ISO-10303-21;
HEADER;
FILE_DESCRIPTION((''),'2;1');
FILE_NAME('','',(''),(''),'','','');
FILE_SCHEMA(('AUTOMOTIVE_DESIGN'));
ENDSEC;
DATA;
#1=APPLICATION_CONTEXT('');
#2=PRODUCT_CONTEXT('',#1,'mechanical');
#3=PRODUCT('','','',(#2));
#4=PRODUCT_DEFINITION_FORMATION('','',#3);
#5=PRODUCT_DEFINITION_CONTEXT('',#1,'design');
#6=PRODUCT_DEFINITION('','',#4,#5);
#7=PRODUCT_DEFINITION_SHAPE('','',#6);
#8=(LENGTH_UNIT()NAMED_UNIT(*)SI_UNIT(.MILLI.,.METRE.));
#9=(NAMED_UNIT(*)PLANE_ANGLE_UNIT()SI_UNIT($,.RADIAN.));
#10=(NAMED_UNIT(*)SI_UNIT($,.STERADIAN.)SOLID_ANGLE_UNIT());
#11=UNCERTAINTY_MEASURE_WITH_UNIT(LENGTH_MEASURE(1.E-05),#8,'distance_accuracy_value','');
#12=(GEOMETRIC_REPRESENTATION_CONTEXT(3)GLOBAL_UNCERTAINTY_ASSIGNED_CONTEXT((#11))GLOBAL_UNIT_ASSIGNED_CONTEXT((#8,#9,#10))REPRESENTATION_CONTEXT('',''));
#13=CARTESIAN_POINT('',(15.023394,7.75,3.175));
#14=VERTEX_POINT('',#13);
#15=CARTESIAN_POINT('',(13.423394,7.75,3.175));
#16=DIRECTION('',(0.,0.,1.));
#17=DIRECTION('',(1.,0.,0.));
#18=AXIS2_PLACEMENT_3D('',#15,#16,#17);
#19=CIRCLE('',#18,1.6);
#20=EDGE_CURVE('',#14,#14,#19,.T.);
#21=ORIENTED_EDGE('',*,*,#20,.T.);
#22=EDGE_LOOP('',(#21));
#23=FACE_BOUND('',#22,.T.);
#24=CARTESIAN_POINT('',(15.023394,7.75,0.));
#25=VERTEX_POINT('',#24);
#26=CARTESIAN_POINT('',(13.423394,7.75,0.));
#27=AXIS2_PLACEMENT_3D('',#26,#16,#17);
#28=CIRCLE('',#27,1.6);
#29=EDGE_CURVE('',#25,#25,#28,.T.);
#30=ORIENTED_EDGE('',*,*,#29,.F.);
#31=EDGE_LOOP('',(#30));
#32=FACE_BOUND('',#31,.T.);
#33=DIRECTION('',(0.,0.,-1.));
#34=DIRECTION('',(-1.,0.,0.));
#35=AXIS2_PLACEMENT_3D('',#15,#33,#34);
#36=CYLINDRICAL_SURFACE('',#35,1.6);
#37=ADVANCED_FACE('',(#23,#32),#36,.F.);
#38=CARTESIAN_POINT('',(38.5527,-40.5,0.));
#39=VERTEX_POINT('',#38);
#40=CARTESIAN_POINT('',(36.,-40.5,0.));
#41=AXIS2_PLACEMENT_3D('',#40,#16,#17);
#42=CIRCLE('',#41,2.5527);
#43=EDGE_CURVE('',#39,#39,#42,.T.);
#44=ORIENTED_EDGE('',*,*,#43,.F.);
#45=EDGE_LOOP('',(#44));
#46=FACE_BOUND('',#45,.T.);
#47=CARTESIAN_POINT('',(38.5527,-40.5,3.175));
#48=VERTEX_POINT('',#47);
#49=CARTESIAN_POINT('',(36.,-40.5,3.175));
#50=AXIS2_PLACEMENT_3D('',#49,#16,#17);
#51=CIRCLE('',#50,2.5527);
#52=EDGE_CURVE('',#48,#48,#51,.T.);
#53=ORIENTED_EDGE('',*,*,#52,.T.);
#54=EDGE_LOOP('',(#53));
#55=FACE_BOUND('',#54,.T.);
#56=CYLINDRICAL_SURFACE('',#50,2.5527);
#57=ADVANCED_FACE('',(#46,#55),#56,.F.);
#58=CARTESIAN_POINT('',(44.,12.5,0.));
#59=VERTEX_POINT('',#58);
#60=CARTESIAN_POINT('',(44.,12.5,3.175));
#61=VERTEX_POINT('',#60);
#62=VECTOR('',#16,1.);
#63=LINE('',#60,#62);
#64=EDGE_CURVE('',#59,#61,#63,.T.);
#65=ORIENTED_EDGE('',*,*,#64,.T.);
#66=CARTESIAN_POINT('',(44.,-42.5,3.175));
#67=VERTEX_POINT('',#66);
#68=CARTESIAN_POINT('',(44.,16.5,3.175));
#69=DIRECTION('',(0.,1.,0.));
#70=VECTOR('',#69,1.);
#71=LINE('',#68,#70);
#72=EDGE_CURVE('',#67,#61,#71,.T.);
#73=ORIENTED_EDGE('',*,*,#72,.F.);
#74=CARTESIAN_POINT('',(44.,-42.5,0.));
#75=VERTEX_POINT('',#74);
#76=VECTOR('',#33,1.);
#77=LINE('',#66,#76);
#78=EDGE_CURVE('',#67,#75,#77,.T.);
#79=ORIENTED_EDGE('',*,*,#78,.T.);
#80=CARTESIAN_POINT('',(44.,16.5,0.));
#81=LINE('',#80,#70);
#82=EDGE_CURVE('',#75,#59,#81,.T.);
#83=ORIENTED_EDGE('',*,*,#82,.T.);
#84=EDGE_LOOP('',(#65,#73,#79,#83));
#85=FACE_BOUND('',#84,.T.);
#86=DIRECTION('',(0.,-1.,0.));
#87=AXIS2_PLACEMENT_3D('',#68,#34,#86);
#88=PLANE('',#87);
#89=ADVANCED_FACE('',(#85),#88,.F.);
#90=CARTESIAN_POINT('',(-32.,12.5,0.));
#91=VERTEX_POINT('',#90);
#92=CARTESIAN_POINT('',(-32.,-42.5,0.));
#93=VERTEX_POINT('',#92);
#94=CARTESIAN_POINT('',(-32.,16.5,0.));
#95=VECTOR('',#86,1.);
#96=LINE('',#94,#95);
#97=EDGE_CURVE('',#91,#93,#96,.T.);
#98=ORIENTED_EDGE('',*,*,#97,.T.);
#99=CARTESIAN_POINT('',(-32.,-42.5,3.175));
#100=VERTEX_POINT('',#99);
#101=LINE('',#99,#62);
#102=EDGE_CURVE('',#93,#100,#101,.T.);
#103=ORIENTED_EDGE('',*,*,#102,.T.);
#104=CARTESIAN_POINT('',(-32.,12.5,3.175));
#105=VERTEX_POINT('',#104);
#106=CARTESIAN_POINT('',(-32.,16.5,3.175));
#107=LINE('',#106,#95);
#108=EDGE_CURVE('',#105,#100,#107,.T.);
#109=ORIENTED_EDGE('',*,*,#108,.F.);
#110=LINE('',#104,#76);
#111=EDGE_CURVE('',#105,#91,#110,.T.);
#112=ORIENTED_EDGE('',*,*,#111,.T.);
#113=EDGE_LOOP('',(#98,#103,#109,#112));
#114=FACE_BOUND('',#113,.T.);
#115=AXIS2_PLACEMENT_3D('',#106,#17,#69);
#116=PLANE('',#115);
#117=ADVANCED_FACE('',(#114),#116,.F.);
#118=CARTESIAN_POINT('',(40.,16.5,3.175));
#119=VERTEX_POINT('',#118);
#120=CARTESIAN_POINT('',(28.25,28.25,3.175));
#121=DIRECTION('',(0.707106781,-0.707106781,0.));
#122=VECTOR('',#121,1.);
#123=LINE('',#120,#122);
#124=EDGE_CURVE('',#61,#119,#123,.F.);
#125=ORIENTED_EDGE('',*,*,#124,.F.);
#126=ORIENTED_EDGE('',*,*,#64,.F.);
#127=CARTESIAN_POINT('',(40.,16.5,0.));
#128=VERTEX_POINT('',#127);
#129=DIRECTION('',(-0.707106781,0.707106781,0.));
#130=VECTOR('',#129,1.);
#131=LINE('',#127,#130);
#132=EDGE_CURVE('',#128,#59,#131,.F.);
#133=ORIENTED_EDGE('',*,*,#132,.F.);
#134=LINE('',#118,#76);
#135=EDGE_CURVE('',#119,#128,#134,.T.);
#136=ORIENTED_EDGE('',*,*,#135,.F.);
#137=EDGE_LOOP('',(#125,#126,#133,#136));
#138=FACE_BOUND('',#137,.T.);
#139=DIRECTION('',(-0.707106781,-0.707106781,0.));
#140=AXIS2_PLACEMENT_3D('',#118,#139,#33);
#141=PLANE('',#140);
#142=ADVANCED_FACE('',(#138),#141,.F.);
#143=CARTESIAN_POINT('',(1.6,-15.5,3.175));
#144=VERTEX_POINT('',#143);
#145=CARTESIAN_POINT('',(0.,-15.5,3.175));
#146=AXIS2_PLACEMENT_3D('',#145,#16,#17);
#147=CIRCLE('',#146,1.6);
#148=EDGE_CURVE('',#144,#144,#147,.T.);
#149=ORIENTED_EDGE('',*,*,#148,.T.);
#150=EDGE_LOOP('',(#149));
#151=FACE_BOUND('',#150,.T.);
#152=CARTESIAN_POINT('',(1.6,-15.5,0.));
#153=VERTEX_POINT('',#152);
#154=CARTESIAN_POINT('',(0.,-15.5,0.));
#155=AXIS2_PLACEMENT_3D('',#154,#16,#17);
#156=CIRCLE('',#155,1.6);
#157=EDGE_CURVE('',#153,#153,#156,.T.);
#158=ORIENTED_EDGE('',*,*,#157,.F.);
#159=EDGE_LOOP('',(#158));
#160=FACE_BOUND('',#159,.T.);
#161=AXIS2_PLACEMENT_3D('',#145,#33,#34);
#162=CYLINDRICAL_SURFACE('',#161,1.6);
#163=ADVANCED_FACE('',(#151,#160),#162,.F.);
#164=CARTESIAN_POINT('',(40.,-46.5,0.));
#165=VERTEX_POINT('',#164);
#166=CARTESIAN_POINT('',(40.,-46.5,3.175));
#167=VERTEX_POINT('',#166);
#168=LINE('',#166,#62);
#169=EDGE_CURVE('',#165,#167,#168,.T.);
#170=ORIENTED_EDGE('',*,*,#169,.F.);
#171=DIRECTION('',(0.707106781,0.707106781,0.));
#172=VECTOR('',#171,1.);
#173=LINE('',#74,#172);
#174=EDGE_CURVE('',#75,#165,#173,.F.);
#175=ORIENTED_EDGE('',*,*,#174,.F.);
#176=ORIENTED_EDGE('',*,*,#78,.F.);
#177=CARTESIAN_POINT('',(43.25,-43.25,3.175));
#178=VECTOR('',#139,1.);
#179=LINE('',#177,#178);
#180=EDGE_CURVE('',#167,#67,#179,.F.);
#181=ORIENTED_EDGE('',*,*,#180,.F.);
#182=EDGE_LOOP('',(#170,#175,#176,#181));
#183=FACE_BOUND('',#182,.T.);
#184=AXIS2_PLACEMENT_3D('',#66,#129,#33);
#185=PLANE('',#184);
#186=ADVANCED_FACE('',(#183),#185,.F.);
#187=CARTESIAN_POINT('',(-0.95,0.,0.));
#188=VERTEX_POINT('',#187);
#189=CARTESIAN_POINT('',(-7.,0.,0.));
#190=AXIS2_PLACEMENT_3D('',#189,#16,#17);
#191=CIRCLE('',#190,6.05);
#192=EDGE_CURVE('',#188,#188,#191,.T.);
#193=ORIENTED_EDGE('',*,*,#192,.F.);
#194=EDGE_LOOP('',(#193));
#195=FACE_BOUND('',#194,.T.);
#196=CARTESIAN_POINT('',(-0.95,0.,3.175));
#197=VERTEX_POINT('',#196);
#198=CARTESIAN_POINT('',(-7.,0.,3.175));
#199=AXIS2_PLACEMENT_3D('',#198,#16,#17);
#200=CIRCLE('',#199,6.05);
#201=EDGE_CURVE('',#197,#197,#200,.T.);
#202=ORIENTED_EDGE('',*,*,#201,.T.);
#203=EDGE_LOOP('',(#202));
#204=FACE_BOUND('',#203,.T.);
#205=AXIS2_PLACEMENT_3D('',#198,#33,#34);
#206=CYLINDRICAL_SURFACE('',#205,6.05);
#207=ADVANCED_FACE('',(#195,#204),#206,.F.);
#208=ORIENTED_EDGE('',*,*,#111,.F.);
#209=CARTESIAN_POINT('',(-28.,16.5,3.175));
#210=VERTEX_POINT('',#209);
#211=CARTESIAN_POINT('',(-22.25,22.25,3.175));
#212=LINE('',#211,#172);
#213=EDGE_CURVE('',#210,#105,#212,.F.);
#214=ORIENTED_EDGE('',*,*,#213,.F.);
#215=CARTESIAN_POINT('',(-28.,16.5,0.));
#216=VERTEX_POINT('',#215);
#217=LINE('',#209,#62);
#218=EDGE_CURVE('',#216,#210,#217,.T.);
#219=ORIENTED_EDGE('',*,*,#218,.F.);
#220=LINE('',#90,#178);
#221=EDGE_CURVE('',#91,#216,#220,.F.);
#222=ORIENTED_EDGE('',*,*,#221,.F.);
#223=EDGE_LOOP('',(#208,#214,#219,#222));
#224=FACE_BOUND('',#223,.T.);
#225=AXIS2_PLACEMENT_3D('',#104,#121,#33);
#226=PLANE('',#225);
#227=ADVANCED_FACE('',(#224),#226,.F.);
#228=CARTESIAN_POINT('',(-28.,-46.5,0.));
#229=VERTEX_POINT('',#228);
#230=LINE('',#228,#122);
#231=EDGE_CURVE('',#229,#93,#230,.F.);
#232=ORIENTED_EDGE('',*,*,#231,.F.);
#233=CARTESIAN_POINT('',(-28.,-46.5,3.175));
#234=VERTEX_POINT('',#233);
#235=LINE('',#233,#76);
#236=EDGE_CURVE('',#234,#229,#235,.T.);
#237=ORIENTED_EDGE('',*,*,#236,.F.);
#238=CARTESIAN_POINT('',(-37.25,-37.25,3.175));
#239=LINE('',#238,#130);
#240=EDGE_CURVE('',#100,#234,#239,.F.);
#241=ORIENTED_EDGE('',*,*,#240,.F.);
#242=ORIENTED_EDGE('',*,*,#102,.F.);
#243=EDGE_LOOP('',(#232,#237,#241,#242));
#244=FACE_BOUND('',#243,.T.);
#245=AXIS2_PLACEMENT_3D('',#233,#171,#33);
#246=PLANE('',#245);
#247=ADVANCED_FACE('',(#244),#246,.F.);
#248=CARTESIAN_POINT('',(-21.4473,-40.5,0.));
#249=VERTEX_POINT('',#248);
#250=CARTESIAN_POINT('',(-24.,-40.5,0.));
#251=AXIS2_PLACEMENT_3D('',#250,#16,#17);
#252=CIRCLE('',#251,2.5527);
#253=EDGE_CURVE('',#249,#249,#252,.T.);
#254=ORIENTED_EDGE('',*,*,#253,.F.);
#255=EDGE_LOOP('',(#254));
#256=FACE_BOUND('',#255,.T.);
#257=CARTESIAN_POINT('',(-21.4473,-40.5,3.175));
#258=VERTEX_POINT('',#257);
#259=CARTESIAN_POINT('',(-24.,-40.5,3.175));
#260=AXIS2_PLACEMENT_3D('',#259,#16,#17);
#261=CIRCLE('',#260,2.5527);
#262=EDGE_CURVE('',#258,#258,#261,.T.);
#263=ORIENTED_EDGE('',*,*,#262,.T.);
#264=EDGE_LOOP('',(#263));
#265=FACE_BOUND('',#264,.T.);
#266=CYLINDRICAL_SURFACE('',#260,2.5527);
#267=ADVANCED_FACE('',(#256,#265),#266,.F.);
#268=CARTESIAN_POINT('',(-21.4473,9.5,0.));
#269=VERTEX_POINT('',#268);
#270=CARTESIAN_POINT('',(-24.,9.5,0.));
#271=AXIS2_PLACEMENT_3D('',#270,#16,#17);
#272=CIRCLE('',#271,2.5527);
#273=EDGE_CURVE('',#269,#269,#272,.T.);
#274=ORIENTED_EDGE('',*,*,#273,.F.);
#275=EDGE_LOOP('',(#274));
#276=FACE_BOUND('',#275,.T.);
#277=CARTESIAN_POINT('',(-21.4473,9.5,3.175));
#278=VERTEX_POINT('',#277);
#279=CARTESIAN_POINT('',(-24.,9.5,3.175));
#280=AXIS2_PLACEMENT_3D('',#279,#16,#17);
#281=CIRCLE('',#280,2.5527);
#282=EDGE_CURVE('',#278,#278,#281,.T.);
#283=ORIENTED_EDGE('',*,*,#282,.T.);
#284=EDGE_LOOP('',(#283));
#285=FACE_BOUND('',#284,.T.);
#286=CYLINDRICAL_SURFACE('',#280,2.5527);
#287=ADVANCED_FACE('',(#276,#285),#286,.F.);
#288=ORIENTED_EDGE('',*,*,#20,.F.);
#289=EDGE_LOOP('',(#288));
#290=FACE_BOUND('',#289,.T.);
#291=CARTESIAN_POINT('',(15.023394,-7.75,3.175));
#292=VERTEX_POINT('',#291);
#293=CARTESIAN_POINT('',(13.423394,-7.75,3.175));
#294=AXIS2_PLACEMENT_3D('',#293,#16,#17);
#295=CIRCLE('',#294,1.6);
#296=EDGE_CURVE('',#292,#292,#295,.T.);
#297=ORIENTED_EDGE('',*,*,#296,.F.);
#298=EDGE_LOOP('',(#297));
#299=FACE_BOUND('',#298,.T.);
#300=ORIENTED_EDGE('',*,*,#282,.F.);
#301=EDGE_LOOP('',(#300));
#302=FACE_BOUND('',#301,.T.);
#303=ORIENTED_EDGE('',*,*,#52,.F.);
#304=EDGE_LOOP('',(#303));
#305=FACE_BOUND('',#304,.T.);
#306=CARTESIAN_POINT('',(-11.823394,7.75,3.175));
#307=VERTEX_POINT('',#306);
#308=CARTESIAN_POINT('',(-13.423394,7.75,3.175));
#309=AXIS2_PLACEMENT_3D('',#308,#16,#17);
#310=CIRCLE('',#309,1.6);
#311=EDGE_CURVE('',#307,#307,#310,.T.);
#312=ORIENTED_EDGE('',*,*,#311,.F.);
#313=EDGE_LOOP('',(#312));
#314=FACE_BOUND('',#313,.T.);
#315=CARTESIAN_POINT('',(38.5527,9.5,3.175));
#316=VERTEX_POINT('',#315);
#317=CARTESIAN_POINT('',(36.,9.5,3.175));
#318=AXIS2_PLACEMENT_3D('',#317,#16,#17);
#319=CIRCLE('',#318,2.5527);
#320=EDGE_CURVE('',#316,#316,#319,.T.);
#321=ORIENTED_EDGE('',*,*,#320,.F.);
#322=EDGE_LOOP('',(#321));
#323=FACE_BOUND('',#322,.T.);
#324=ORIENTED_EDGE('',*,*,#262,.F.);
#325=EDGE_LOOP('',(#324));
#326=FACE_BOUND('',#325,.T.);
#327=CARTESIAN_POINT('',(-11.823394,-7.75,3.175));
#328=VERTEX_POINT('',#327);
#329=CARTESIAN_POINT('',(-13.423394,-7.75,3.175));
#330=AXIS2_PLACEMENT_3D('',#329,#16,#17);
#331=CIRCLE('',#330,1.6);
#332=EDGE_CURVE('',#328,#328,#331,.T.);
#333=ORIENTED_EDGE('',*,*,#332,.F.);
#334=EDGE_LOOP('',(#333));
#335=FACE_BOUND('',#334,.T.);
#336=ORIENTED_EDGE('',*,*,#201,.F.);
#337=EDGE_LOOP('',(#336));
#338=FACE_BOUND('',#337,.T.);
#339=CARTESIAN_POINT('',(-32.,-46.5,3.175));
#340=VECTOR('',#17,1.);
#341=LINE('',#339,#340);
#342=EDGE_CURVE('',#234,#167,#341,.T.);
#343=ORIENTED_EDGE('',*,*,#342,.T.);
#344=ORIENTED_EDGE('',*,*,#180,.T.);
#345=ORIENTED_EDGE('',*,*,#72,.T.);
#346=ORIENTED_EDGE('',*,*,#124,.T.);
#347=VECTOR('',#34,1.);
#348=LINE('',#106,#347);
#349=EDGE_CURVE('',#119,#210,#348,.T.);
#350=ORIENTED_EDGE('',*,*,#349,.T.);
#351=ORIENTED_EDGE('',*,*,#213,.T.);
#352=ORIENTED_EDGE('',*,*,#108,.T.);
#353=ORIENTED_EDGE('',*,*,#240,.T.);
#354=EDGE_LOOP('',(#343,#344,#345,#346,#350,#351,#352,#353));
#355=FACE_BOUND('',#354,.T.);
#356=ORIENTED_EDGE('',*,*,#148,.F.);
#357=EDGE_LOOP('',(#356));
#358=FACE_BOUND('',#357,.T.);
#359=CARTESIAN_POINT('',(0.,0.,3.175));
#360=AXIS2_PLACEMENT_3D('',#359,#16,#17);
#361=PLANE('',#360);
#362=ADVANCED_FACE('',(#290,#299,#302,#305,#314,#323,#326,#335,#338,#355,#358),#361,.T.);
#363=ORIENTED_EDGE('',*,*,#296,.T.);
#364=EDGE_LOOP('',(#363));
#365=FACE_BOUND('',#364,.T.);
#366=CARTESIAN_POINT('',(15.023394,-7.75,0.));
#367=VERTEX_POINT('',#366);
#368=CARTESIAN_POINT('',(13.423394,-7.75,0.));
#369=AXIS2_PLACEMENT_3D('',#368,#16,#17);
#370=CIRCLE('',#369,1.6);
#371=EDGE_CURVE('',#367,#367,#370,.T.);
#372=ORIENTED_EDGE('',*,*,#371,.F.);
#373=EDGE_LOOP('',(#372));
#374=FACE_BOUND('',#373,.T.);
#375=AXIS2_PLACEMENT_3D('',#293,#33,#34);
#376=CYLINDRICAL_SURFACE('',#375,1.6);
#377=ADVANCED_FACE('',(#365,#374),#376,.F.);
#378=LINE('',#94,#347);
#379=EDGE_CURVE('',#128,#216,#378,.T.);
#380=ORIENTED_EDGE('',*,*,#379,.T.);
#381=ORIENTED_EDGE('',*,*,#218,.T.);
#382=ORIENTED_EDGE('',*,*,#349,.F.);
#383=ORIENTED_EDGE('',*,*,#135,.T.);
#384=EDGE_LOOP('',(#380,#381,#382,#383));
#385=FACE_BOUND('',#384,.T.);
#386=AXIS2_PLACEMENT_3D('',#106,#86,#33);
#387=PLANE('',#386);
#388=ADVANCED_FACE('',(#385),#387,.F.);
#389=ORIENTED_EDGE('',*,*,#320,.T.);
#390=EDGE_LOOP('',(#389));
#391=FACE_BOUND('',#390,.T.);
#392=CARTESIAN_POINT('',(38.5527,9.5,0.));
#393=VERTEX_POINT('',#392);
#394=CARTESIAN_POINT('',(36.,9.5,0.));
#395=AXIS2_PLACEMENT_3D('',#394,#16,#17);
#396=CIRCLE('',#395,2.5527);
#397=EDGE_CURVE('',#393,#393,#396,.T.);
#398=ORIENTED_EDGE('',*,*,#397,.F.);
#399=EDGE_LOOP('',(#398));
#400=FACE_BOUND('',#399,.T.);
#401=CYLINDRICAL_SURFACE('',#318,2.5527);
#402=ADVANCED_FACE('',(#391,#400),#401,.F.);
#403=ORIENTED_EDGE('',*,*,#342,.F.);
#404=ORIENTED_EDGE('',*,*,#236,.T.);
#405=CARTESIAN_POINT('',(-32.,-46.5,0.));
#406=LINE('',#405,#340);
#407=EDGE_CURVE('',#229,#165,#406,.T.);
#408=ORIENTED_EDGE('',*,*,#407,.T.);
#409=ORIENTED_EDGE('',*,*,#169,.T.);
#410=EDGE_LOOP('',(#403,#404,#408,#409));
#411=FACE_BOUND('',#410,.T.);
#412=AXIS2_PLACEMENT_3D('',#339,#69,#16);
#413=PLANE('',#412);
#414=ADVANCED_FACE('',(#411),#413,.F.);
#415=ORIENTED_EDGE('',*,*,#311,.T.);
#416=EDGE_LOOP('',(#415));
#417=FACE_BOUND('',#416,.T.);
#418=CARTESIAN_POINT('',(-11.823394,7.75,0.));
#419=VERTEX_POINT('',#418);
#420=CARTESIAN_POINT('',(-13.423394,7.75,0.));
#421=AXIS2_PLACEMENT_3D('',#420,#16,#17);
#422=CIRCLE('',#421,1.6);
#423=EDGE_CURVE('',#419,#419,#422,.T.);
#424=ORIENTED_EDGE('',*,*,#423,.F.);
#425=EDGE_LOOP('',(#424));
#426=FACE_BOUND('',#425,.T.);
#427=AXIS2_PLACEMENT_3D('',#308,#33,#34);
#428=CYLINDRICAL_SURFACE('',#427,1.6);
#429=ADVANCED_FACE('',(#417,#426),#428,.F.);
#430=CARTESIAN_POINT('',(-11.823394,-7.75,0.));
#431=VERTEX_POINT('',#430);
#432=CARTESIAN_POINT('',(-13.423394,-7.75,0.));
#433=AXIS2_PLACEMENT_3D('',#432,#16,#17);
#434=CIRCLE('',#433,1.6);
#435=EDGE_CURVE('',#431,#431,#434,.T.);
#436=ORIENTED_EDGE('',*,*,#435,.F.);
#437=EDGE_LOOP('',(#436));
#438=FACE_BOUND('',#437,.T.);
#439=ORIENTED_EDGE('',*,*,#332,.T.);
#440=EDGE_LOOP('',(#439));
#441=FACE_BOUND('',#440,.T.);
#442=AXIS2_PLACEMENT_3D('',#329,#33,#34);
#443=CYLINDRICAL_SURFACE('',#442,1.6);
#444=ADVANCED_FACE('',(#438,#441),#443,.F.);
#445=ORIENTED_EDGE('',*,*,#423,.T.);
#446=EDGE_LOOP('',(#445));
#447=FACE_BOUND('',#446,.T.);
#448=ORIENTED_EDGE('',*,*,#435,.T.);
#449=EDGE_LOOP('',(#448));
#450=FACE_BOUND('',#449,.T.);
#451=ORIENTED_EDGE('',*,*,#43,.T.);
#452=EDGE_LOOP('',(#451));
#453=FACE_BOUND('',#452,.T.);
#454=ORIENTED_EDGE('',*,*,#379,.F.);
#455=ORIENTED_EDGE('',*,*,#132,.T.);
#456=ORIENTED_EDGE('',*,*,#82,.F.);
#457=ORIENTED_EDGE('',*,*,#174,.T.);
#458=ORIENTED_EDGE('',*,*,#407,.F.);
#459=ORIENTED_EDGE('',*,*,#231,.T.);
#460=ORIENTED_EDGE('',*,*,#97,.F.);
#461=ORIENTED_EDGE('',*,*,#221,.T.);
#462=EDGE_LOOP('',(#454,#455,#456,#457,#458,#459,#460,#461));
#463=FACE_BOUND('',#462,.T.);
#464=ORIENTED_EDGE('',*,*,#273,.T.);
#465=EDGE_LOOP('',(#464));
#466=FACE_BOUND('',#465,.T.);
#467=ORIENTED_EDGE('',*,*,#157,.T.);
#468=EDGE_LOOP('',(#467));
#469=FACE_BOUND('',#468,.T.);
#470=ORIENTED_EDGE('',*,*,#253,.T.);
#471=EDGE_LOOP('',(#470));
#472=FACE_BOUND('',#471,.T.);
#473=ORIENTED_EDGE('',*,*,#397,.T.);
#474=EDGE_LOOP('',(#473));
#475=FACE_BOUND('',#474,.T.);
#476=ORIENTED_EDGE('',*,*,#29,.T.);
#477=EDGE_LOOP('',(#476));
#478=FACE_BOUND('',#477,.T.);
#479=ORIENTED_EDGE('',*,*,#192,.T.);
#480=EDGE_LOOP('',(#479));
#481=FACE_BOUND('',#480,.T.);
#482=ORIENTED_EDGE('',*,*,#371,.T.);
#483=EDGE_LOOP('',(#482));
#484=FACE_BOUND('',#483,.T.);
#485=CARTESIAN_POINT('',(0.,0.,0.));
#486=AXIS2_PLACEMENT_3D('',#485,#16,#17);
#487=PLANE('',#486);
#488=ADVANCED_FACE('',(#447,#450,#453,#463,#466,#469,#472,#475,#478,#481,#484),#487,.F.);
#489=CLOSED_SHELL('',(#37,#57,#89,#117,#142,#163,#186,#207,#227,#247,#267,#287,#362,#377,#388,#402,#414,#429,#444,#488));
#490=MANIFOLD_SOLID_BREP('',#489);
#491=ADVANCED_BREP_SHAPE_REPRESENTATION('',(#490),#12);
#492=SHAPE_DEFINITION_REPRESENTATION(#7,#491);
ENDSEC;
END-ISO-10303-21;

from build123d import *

# Parameters (mm, degrees)
SKETCH1_W               = 76
SKETCH1_H               = 63
SKETCH1_R               = 6.05
SKETCH1_R_2             = 1.6
BOSS_EXTRUDE1_DEPTH     = 3.175
CHAMFER1_SIZE           = 4
F_1_4_20_TAPPED_HOLE1_D = 5.1054


with BuildPart() as part:
    # Sketch1 → Boss-Extrude1 (new body)
    with BuildSketch(Plane.XY):
        with Locations((6, -14.99999999)):
            Rectangle(SKETCH1_W, SKETCH1_H)
        with Locations((-7, 0)):
            Circle(SKETCH1_R, mode=Mode.SUBTRACT)
        with Locations((-13.423393759, 7.75)):
            Circle(SKETCH1_R_2, mode=Mode.SUBTRACT)
        with Locations((-13.423393759, -7.75)):
            Circle(SKETCH1_R_2, mode=Mode.SUBTRACT)
        with Locations((0, -15.5)):
            Circle(SKETCH1_R_2, mode=Mode.SUBTRACT)
        with Locations((13.423393759, -7.75)):
            Circle(SKETCH1_R_2, mode=Mode.SUBTRACT)
        with Locations((13.423393759, 7.75)):
            Circle(SKETCH1_R_2, mode=Mode.SUBTRACT)
    extrude(amount=BOSS_EXTRUDE1_DEPTH)

    # Chamfer1
    chamfer1_edges = [part.edges().sort_by_distance(p)[0] for p in [
        (-32, 16.50000001, 1.5875),
        (44, 16.50000001, 1.5875),
        (44, -46.49999999, 1.5875),
        (-32, -46.49999999, 1.5875),
    ]]
    chamfer(chamfer1_edges, length=CHAMFER1_SIZE)

    # 1/4-20 Tapped Hole1 (through all)
    with Locations(Plane.XY.offset(3.175)):
        with Locations((-24, 9.50000001), (36, 9.50000001), (36, -40.49999999), (-24, -40.49999999)):
            Hole(F_1_4_20_TAPPED_HOLE1_D / 2)


solid = part.part
